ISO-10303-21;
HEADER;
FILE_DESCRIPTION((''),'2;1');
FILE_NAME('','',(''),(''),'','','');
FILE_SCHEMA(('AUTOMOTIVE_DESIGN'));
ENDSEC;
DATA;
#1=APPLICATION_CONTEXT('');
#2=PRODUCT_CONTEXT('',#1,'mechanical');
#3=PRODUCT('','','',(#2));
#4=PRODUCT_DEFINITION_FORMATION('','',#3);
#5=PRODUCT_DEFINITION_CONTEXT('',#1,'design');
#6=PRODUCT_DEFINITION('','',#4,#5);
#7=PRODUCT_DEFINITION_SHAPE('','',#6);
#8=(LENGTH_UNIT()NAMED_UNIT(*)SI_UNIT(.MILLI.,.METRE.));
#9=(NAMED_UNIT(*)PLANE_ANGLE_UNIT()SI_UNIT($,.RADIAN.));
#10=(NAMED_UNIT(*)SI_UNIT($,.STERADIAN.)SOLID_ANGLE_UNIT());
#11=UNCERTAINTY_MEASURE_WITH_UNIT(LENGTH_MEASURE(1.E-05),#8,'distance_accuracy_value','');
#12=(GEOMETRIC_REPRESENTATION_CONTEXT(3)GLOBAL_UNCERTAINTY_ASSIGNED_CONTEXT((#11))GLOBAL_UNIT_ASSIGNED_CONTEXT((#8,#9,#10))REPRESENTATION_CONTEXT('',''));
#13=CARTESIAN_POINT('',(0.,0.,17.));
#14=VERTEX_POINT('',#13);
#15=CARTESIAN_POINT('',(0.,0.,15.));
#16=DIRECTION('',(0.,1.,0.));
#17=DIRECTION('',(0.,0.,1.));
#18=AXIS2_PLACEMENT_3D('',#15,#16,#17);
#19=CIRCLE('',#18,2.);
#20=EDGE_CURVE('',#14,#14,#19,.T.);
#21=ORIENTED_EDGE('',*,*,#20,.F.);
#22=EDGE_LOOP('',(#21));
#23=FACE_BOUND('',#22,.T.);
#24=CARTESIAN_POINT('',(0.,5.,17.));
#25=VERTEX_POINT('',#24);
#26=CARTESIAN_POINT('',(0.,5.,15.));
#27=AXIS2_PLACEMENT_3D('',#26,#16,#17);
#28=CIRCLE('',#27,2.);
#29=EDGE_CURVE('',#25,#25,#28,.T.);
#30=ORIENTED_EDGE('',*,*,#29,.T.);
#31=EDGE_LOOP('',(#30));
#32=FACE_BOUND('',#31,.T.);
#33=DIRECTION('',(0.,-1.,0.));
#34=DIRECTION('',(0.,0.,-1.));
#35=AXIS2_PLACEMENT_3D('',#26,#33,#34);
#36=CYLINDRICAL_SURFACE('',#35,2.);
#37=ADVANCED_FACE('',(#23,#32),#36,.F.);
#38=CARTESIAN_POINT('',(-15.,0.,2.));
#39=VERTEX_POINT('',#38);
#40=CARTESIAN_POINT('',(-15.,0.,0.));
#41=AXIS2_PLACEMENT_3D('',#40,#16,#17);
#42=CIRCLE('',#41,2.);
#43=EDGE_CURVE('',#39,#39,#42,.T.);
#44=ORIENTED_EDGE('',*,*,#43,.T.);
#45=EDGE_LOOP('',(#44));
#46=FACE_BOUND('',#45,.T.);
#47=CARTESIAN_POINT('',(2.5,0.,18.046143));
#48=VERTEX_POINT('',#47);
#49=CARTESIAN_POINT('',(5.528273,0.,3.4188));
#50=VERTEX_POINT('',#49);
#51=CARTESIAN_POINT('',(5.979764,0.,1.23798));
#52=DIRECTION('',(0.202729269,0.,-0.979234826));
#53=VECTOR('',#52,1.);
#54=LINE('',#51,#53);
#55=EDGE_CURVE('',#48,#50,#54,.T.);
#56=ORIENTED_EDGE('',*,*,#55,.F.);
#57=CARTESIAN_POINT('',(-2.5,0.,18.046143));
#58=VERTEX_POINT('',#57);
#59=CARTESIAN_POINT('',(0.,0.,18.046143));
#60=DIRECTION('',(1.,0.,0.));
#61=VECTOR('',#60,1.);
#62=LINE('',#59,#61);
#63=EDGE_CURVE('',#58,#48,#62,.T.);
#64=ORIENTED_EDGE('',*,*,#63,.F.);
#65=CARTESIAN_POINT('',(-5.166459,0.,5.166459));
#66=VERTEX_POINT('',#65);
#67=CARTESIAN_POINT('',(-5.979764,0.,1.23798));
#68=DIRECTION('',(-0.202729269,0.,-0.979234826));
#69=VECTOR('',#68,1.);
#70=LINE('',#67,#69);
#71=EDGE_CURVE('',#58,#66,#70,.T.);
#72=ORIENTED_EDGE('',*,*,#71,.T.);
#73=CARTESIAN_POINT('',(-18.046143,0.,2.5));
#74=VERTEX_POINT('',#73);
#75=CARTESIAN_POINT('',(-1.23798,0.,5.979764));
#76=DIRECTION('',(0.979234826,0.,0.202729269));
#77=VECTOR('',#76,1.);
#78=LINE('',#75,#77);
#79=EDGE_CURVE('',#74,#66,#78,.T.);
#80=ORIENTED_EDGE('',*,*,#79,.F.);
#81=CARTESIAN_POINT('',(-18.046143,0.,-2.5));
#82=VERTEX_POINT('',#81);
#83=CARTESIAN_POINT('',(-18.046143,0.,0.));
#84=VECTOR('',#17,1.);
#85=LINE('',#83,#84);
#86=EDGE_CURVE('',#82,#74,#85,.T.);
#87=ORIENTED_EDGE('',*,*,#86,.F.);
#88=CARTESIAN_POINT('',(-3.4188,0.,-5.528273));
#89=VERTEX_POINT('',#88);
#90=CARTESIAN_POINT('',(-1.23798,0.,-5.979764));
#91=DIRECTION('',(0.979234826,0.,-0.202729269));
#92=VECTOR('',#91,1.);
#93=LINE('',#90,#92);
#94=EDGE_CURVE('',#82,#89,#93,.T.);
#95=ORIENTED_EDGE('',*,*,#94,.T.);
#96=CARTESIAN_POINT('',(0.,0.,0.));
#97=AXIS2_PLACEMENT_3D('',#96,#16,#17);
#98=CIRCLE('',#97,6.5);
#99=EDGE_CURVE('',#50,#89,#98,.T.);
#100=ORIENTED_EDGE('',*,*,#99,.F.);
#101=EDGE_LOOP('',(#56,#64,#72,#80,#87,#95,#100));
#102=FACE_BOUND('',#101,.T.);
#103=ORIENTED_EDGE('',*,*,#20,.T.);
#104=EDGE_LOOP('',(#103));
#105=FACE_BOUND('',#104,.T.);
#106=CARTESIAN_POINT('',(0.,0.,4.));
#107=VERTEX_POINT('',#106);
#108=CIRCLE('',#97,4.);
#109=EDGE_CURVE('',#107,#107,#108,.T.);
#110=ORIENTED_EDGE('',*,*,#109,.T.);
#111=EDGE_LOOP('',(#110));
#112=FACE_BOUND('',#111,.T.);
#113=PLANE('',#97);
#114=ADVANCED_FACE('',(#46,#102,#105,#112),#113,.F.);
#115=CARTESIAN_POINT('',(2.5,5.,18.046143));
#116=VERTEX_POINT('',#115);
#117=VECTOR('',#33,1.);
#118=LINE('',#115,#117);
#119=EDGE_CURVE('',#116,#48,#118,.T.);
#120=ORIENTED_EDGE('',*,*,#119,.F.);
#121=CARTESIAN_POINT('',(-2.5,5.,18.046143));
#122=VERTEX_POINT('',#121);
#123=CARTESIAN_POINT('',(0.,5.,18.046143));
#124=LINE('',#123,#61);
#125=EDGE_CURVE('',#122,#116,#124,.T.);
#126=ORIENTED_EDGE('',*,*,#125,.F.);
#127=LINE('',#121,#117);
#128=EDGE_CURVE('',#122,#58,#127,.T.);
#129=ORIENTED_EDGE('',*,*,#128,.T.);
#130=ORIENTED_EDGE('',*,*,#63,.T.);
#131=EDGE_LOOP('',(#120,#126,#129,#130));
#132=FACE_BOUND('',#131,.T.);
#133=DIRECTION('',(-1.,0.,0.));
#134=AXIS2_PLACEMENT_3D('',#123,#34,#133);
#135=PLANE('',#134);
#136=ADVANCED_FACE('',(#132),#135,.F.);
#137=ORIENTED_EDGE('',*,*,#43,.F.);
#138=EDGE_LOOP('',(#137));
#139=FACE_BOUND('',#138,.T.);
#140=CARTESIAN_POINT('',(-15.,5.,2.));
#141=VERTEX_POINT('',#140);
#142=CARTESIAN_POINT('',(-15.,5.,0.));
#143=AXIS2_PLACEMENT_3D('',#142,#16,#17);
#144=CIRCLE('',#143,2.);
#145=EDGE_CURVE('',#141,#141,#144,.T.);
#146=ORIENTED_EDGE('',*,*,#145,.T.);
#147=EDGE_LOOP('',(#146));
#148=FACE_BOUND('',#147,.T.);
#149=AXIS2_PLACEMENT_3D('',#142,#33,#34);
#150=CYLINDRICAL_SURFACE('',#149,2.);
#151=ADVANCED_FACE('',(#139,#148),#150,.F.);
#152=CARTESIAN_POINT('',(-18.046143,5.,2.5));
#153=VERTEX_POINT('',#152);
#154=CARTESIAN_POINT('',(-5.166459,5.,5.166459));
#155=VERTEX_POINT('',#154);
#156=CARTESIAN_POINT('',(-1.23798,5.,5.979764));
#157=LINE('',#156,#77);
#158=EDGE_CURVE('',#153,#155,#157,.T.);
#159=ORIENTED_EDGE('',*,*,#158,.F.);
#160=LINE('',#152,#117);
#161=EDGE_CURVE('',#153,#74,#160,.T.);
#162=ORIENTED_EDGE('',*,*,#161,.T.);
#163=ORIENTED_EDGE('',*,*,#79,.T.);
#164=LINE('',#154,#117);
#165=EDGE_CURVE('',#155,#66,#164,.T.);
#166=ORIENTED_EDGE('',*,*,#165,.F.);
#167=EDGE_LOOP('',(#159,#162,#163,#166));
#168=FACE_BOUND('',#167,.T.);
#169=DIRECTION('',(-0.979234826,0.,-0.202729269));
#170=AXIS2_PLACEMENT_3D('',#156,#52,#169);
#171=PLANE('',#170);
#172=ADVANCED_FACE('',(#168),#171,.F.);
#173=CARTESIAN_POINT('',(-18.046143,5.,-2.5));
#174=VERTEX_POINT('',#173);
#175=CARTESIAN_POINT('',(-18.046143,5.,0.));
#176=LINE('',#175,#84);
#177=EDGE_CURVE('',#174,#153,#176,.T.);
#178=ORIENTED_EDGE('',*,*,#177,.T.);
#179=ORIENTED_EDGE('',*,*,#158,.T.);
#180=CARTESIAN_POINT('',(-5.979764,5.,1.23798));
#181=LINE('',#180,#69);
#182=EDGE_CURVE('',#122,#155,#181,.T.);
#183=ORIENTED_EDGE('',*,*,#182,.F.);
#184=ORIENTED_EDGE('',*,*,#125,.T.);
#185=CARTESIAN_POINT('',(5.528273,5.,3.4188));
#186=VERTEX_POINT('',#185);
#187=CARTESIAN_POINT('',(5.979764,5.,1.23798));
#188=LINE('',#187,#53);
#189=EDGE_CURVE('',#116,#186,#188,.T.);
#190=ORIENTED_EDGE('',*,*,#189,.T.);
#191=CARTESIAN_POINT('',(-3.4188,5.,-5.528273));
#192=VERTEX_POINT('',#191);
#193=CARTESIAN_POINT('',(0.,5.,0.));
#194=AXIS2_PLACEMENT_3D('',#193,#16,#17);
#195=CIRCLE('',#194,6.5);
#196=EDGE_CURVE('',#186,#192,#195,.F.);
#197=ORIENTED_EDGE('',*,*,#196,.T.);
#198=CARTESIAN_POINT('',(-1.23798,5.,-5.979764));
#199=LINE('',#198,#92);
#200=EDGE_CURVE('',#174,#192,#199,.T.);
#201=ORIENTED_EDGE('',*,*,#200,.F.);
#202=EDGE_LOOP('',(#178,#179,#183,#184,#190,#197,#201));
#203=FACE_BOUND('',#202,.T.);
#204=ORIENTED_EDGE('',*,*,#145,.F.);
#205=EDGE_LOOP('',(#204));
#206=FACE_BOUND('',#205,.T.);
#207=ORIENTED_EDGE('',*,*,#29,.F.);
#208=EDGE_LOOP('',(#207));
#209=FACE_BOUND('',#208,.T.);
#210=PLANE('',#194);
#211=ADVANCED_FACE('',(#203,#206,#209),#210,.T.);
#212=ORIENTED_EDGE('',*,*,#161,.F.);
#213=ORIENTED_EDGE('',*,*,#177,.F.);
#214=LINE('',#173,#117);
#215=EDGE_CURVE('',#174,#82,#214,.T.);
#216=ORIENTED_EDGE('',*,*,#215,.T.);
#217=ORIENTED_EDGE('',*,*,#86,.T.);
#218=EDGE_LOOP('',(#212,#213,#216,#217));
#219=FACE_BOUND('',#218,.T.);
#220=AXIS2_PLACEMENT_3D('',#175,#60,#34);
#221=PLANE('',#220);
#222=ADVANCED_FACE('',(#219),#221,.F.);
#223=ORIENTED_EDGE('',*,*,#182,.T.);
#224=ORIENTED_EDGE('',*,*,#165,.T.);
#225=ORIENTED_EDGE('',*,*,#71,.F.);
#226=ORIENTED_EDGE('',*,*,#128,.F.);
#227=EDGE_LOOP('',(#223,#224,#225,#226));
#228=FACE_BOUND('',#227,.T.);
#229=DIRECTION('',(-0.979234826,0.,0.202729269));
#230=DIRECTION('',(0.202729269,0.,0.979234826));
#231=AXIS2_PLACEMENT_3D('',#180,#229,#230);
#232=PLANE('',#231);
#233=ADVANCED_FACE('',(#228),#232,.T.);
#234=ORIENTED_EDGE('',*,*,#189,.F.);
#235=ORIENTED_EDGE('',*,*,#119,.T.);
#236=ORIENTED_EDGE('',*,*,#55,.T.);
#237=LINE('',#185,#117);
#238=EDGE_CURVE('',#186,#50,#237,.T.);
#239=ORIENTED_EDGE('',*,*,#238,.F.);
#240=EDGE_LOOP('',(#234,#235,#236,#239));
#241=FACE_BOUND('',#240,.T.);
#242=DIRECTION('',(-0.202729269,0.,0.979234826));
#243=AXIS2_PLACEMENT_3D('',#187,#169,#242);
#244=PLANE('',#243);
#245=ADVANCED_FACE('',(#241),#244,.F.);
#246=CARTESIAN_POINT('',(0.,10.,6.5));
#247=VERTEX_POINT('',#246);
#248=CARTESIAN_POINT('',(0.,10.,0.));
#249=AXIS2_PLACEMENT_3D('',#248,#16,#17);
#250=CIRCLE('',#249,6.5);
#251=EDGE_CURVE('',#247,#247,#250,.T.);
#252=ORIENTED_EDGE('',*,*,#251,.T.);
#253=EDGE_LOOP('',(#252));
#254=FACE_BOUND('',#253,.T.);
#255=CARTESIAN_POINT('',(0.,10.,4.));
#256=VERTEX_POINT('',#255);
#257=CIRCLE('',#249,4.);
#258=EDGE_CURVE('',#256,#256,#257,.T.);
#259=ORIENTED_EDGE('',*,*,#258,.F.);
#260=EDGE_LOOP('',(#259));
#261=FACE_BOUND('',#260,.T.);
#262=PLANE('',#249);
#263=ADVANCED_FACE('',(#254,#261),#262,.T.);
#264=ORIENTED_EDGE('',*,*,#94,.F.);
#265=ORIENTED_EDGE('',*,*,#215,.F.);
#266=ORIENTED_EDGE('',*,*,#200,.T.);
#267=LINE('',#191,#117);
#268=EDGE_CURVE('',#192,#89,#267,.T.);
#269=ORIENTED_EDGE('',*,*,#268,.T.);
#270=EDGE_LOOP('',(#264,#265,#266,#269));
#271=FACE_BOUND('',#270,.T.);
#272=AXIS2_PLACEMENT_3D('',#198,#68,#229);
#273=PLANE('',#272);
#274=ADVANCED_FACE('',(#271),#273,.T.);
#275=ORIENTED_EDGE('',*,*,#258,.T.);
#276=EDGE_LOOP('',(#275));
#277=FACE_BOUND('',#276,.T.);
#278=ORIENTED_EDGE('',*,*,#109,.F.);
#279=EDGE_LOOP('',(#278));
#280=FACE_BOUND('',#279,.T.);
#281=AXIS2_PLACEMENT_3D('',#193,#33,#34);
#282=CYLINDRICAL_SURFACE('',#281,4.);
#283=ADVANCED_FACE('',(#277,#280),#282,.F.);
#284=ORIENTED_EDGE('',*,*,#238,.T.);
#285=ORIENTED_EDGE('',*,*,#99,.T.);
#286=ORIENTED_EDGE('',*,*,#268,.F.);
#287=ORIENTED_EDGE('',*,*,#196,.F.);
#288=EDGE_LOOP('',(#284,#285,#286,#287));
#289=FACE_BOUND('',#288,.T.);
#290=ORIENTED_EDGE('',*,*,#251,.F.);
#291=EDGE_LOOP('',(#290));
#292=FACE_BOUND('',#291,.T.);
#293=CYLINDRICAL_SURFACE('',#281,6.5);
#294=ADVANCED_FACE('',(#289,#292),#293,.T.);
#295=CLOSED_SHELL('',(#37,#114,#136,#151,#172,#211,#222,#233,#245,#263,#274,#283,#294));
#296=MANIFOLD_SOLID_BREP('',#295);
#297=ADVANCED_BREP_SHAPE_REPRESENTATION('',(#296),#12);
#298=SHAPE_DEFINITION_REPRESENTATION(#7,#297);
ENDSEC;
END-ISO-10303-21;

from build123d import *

# Parameters (mm, degrees)
SKETCH1_R           = 2
SKETCH1_R_2         = 4
BOSS_EXTRUDE1_DEPTH = 5
SKETCH1_3_R         = 6.5
SKETCH1_3_R_2       = 4
BOSS_EXTRUDE2_DEPTH = 10


with BuildPart() as part:
    # Sketch1 → Boss-Extrude1 (new body)
    with BuildSketch(Plane(origin=(0, 0, 0), x_dir=(1, 0, 0), z_dir=(0, 1, 0))):
        with BuildLine():
            Line((-3.418800465, 5.528273092), (-18.046143069, 2.5))
            Line((-18.046143069, 2.5), (-18.046143069, -2.5))
            Line((-18.046143069, -2.5), (-5.166458511, -5.166458511))
            Line((-5.166458511, -5.166458511), (-2.5, -18.046143069))
            Line((-2.5, -18.046143069), (2.5, -18.046143069))
            Line((2.5, -18.046143069), (5.528273092, -3.418800465))
            ThreePointArc((5.528273092, -3.418800465), (4.596194078, 4.596194078), (-3.418800465, 5.528273092))
        make_face()
        with Locations(Location((-15, 0, 0), (0, 0, 270))):
            Circle(SKETCH1_R, mode=Mode.SUBTRACT)
        with Locations(Location((0, 0, 0), (0, 0, 270))):
            Circle(SKETCH1_R_2, mode=Mode.SUBTRACT)
        with Locations(Location((0, -15, 0), (0, 0, 270))):
            Circle(SKETCH1_R, mode=Mode.SUBTRACT)
    extrude(amount=BOSS_EXTRUDE1_DEPTH)

    # Sketch1<3> → Boss-Extrude2 (add)
    with BuildSketch(Plane(origin=(0, 0, 0), x_dir=(1, 0, 0), z_dir=(0, 1, 0))):
        with Locations(Location((0, 0, 0), (0, 0, 121.733519153))):
            Circle(SKETCH1_3_R)
        with Locations(Location((0, 0, 0), (0, 0, 270))):
            Circle(SKETCH1_3_R_2, mode=Mode.SUBTRACT)
    extrude(amount=BOSS_EXTRUDE2_DEPTH)


solid = part.part
